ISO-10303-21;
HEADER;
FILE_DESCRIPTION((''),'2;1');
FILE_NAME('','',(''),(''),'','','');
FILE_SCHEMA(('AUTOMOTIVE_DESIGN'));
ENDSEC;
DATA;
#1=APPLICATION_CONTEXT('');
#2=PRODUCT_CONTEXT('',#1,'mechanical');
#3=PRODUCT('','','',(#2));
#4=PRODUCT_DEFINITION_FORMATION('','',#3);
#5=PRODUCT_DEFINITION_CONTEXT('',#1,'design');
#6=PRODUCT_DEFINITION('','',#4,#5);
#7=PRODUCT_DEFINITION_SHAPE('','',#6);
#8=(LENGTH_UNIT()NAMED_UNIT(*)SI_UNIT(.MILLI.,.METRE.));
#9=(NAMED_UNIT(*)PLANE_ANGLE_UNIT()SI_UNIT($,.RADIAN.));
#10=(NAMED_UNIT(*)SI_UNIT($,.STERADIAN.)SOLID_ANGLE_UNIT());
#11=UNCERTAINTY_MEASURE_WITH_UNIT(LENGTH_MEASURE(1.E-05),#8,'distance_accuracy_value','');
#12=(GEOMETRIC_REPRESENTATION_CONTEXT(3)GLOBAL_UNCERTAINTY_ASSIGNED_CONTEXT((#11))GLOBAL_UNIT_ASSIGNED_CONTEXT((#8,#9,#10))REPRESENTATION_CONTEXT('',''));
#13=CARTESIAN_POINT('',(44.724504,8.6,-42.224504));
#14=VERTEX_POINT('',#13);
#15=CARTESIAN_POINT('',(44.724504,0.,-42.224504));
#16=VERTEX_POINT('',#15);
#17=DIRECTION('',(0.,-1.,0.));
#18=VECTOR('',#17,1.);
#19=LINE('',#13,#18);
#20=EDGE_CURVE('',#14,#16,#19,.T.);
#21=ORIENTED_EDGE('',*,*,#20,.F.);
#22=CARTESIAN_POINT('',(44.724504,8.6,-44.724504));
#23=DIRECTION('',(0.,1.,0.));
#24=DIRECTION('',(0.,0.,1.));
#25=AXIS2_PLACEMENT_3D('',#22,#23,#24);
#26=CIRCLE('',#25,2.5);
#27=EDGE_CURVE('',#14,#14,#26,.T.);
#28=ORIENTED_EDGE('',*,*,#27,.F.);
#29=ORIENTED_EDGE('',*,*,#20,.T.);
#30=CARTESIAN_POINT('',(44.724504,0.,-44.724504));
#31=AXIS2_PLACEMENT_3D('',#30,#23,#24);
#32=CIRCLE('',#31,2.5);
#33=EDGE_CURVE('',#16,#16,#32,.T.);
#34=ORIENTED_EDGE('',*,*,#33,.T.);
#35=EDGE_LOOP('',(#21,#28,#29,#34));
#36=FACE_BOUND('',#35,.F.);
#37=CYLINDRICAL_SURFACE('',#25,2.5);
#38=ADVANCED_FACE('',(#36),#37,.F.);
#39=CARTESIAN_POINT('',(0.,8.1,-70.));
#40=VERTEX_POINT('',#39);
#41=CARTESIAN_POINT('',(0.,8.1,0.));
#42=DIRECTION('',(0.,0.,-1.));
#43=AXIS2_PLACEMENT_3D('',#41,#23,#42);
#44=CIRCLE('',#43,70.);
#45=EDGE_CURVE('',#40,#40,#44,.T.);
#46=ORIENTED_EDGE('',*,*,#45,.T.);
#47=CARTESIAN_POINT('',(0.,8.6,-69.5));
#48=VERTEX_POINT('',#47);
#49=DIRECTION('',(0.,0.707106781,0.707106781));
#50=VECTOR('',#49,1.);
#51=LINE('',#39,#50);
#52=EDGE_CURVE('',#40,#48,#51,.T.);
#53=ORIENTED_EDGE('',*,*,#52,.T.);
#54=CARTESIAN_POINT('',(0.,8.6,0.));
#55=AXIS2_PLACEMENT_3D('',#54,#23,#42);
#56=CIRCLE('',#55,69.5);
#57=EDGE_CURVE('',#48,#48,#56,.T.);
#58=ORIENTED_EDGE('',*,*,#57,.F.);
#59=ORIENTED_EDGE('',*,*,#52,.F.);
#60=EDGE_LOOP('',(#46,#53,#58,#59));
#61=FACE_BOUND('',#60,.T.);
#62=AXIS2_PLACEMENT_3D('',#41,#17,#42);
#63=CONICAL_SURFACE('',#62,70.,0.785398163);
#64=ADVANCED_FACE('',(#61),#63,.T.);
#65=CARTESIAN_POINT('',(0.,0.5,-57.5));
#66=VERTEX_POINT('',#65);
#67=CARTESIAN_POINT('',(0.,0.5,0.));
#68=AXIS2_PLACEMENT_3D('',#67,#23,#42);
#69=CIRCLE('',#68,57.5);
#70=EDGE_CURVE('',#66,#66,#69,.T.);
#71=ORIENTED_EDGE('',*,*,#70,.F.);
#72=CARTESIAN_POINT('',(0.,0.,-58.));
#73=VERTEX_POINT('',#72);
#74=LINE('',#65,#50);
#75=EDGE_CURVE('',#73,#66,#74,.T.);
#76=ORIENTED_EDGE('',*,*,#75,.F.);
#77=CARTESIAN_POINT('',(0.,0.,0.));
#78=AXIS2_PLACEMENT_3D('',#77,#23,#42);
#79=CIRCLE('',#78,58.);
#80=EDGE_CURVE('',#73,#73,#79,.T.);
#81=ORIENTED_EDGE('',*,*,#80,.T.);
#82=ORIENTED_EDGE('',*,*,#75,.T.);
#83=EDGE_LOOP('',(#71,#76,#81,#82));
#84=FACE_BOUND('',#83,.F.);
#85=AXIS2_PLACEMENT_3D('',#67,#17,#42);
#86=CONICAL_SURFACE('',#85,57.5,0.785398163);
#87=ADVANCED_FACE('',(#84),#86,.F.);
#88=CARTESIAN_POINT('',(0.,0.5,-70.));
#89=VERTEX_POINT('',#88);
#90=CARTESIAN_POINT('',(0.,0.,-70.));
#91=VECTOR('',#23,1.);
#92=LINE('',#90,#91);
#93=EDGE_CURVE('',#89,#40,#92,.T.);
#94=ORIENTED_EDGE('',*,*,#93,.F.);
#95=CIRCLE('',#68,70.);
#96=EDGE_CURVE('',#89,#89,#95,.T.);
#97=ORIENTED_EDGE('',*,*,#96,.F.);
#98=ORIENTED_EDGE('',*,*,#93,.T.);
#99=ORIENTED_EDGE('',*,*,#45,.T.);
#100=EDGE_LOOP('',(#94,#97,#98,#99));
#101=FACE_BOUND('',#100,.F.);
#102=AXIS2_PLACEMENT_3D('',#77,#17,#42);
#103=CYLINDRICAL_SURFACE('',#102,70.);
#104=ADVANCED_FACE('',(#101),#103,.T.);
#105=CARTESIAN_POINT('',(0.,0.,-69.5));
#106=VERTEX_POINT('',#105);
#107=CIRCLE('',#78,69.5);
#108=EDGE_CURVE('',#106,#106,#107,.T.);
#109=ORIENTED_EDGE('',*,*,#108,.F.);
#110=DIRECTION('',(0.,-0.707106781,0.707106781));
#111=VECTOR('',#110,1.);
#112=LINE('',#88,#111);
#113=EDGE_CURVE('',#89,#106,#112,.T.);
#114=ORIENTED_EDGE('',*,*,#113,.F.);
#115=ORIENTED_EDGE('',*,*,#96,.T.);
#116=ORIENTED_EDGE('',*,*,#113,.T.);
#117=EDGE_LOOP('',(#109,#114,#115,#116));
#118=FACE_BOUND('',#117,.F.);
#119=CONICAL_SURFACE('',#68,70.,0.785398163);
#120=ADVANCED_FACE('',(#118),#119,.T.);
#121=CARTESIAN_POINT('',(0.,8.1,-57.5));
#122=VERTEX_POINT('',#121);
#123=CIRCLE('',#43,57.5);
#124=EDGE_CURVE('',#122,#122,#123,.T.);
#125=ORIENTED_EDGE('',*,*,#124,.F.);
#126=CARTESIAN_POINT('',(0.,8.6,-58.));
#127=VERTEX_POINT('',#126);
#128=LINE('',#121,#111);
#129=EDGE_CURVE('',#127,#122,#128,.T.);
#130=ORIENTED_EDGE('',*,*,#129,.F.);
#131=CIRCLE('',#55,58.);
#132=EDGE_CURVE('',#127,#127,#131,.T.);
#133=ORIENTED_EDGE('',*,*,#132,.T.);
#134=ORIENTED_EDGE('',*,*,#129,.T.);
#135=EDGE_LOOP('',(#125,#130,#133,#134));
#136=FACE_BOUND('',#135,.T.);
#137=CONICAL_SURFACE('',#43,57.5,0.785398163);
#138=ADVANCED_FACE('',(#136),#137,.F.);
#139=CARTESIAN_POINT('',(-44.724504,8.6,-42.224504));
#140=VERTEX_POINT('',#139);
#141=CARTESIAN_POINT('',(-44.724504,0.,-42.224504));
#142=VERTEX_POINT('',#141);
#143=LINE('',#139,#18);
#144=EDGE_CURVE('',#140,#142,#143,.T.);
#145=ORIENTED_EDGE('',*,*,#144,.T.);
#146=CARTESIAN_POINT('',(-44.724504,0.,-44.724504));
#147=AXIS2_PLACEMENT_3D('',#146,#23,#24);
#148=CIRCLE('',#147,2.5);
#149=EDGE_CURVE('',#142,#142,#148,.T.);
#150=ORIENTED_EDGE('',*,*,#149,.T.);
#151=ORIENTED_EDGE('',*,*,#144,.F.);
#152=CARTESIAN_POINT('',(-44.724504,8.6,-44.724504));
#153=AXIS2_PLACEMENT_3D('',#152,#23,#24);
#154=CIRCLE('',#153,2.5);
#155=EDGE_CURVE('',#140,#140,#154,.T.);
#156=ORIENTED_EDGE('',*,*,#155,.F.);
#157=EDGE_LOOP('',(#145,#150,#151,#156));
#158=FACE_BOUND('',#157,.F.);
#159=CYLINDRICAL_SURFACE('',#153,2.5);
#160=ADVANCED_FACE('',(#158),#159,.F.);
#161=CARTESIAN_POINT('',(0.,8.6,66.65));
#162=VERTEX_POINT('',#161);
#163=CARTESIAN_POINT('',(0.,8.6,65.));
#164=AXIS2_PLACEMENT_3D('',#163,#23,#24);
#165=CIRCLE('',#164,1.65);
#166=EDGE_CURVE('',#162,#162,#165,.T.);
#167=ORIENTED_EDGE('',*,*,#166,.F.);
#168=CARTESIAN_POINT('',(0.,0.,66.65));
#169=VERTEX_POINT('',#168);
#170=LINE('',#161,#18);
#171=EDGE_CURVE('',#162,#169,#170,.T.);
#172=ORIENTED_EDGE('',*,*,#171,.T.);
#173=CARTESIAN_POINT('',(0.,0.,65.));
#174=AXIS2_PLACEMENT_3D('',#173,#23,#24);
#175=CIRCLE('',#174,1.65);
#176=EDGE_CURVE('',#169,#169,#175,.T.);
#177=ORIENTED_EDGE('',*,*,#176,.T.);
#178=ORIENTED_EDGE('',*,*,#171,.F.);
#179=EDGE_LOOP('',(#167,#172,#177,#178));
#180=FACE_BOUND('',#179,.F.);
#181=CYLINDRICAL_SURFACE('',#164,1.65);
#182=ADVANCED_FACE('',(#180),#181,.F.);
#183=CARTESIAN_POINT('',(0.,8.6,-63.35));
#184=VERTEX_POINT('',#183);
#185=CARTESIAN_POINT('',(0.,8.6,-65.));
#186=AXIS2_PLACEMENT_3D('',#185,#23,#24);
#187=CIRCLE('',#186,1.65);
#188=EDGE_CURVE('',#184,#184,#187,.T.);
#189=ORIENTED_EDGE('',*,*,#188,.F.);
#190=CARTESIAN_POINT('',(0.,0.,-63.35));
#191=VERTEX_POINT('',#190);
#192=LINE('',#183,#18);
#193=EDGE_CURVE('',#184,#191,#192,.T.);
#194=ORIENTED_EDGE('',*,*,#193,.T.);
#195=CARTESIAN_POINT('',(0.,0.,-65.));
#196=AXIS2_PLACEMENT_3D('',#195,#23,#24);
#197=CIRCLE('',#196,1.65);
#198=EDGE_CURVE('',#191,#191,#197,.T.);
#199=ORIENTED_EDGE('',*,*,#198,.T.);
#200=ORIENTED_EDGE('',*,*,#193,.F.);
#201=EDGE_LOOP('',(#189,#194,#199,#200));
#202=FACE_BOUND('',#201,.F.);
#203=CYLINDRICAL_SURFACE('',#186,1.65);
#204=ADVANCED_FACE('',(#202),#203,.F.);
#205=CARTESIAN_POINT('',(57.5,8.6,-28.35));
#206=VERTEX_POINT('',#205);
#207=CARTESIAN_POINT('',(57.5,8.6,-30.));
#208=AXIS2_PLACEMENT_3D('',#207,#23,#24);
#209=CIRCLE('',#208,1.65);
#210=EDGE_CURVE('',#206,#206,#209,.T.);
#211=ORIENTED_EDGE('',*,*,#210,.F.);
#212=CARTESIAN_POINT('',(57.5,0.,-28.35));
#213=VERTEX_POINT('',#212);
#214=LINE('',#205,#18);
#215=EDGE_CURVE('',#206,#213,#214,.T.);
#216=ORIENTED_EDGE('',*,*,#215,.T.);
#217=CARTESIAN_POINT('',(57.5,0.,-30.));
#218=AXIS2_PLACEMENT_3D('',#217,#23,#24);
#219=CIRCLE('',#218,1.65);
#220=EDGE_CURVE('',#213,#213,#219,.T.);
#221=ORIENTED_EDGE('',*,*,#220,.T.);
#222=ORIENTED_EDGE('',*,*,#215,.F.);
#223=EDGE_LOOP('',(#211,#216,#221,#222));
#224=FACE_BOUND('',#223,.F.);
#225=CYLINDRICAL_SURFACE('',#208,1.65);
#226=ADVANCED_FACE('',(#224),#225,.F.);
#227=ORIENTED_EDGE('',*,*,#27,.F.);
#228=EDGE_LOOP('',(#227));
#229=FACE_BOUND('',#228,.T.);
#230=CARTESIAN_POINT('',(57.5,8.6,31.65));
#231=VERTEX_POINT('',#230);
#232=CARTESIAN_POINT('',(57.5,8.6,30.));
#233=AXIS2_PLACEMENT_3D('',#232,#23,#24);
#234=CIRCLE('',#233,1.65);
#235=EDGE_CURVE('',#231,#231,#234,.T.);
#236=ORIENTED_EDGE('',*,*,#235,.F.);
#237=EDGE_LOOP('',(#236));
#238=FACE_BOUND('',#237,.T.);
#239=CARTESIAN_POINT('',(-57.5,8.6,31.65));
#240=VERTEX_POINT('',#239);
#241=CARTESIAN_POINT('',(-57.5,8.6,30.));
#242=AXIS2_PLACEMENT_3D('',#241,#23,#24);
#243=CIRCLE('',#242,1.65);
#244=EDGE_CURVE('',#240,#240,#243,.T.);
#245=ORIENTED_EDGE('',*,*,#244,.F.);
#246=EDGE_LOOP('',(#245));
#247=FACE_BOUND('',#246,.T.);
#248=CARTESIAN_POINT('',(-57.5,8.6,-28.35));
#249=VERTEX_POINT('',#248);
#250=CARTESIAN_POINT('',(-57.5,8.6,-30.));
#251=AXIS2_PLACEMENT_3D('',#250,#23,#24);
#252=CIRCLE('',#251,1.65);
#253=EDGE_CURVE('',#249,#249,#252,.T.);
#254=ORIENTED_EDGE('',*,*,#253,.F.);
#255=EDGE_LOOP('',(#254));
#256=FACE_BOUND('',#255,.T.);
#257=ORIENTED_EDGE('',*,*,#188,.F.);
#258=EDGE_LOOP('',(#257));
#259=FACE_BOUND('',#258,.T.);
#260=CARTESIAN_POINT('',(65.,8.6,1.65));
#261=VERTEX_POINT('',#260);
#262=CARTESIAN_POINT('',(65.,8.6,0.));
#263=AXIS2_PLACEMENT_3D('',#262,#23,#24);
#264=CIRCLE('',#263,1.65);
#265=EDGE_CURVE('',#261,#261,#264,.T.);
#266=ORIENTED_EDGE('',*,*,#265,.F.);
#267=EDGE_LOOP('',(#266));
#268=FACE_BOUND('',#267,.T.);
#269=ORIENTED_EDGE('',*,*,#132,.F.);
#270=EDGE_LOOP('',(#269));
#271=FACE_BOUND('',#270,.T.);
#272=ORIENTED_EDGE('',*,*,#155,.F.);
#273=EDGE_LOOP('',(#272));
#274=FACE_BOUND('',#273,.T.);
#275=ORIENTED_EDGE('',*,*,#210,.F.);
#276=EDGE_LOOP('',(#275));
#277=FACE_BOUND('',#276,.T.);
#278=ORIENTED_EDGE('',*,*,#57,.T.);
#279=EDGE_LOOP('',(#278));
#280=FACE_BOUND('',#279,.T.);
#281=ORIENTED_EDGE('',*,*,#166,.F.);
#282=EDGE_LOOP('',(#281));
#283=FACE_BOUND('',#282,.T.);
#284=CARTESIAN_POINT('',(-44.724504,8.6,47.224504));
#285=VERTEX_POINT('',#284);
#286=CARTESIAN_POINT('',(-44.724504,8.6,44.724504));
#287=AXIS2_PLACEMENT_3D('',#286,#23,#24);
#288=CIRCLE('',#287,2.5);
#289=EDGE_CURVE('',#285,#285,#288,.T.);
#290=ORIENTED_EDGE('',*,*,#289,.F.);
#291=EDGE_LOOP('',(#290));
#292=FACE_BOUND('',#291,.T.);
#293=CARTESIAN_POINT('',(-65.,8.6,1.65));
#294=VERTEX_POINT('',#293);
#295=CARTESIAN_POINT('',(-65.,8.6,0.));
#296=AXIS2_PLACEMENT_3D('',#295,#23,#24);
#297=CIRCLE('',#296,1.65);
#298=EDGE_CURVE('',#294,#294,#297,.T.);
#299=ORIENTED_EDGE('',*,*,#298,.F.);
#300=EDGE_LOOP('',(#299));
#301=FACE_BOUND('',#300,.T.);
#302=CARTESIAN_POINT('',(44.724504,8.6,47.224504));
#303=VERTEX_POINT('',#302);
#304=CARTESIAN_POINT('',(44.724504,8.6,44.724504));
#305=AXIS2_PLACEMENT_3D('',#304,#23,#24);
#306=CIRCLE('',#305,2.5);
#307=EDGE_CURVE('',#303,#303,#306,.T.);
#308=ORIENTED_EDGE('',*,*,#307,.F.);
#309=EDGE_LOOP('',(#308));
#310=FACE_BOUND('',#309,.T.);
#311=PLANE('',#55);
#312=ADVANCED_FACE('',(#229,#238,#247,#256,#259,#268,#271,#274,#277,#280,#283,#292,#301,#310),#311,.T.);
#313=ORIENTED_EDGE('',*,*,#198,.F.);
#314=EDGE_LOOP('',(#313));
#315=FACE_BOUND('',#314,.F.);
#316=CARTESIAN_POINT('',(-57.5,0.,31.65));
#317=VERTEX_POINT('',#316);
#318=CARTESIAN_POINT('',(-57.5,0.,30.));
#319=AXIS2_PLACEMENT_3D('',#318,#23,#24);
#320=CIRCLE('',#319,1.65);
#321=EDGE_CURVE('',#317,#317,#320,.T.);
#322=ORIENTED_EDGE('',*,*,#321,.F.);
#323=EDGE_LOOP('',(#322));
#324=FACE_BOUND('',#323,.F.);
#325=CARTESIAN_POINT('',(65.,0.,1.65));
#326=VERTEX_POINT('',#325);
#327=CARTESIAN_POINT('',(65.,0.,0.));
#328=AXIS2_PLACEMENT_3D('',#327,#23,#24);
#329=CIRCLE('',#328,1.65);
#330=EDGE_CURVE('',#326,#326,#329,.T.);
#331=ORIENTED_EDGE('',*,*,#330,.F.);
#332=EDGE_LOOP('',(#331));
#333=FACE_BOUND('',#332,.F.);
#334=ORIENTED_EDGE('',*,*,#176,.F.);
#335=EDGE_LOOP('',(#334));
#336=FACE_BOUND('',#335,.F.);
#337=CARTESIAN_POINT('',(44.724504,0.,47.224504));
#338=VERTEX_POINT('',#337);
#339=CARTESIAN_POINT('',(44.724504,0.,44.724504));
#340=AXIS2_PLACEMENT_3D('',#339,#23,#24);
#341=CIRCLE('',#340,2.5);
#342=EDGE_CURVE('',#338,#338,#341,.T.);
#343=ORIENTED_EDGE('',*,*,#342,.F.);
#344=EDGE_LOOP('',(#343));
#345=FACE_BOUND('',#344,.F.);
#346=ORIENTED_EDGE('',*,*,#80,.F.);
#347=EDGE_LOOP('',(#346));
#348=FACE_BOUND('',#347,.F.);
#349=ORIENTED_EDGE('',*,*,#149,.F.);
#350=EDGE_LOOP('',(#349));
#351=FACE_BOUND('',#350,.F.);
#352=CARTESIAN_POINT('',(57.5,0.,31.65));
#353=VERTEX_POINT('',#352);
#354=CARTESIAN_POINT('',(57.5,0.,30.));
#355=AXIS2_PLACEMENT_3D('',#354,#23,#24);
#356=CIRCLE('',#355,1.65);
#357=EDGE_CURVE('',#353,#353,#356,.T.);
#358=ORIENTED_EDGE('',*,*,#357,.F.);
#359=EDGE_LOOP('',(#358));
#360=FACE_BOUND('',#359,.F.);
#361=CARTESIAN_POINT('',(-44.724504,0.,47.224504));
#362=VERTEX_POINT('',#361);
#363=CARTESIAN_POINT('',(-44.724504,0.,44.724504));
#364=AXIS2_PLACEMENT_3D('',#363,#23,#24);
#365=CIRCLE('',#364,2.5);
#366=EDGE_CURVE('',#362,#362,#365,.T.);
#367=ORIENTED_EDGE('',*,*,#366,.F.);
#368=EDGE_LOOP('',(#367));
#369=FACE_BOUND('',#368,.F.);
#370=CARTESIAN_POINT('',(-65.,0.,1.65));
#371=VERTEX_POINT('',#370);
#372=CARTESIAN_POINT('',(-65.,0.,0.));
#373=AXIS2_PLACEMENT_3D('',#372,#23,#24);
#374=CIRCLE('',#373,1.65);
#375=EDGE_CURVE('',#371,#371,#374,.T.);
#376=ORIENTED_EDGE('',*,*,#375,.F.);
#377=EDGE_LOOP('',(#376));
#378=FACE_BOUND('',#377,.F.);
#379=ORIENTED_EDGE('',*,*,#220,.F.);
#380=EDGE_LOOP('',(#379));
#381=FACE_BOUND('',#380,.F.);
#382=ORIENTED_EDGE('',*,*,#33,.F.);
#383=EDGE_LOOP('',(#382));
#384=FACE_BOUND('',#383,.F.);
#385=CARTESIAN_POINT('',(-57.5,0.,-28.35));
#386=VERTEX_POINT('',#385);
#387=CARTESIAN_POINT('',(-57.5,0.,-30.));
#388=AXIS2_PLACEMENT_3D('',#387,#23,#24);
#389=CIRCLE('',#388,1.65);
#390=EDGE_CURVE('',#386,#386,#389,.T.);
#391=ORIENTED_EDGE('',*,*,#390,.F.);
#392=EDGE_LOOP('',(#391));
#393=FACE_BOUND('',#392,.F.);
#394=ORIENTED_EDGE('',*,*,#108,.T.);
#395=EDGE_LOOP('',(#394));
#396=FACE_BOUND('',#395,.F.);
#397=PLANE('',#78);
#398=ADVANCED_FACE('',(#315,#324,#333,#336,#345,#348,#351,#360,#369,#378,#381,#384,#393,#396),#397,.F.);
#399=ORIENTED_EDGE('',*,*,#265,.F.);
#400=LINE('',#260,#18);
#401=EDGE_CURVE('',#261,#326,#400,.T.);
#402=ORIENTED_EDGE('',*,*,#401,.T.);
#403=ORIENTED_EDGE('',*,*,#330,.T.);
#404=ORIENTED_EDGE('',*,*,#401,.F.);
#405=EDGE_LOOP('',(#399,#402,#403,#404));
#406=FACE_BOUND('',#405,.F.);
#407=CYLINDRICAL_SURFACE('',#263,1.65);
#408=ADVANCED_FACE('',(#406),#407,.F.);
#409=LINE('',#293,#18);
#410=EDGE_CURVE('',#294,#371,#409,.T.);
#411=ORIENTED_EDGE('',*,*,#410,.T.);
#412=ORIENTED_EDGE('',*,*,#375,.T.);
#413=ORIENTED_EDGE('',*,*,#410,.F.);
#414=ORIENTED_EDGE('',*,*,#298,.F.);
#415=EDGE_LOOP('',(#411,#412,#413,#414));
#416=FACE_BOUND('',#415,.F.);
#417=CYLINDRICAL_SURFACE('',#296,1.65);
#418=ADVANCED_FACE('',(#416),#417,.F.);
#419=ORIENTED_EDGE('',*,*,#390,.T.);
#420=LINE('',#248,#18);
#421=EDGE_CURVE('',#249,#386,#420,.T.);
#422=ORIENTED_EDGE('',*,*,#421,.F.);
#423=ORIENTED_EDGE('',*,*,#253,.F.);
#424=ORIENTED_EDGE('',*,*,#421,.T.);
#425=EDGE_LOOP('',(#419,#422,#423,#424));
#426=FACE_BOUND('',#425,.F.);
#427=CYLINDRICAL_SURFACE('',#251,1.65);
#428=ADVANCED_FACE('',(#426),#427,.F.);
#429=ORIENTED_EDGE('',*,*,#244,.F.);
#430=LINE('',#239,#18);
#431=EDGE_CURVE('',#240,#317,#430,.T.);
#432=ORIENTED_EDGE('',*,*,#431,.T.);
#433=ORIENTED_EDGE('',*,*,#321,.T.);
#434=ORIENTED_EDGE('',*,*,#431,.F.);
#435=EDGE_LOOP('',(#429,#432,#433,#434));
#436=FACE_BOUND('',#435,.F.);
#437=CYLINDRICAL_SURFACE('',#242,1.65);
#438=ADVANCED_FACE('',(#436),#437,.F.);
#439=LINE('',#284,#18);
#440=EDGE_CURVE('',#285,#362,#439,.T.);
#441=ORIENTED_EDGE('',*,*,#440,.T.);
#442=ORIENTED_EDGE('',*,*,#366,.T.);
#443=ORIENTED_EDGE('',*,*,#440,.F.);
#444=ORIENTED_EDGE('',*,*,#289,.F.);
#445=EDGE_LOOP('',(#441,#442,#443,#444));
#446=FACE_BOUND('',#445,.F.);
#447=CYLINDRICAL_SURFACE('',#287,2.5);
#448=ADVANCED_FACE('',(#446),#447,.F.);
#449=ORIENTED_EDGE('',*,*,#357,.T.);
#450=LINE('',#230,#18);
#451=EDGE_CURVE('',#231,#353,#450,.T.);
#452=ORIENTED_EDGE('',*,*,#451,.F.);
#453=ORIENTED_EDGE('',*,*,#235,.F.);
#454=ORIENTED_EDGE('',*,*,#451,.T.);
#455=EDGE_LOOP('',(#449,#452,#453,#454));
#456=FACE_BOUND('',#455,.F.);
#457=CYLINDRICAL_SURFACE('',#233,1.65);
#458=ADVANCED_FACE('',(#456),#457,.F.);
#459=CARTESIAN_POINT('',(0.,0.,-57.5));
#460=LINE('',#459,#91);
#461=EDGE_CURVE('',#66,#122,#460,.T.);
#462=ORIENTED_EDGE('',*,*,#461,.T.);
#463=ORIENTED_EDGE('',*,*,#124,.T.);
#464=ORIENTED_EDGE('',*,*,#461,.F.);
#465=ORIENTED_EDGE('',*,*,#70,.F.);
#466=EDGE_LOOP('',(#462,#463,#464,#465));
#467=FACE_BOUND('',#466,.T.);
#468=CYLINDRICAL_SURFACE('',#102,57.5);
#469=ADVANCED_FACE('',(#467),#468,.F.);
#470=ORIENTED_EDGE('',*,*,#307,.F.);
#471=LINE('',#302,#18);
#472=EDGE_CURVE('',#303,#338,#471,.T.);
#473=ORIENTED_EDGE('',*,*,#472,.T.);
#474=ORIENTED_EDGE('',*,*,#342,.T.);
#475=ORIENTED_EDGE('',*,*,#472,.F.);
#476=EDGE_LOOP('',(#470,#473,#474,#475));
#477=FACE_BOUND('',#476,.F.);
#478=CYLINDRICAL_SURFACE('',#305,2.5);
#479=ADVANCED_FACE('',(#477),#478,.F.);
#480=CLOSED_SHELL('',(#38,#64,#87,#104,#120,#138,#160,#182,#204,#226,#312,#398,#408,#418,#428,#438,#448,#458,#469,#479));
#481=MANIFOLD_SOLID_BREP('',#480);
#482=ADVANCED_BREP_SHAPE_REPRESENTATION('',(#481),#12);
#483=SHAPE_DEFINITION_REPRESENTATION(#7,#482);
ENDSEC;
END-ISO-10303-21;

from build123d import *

# Parameters (mm, degrees)
SKETCH_1_R          = 70
SKETCH_1_R_2        = 57.5
EXTRUDE_1_DEPTH     = 8.6
SKETCH_2_R          = 2.5
CUT_EXTRUDE_1_DEPTH = 100.367801626
CHAMFER_1_SIZE      = 0.5
SKETCH_3_R          = 1.65
CUT_EXTRUDE_2_DEPTH = 100.367801626


with BuildPart() as part:
    # ｽｹｯﾁ1 → ﾎﾞｽ - 押し出し1 (new body)
    with BuildSketch(Plane(origin=(0, 0, 0), x_dir=(1, 0, 0), z_dir=(0, 1, 0))):
        with Locations(Location((0, 0, 0), (0, 0, 90))):
            Circle(SKETCH_1_R)
        with Locations(Location((0, 0, 0), (0, 0, 90))):
            Circle(SKETCH_1_R_2, mode=Mode.SUBTRACT)
    extrude(amount=EXTRUDE_1_DEPTH)

    # ｽｹｯﾁ2 → ｶｯﾄ - 押し出し1 (cut, through all)
    with BuildSketch(Plane(origin=(0, 8.6, 0), x_dir=(1, 0, 0), z_dir=(0, 1, 0))):
        with Locations(Location((-44.72450391, 44.72450391, 0), (0, 0, 270))):
            Circle(SKETCH_2_R)
        with Locations(Location((44.72450391, 44.72450391, 0), (0, 0, 270))):
            Circle(SKETCH_2_R)
        with Locations(Location((44.72450391, -44.72450391, 0), (0, 0, 270))):
            Circle(SKETCH_2_R)
        with Locations(Location((-44.72450391, -44.72450391, 0), (0, 0, 270))):
            Circle(SKETCH_2_R)
    extrude(amount=-CUT_EXTRUDE_1_DEPTH, mode=Mode.SUBTRACT)

    # 面取り1
    chamfer_1_edges = [part.edges().sort_by_distance(p)[0] for p in [
        (0, 0, 70),
        (0, 8.6, 70),
        (0, 0, 57.5),
        (0, 8.6, 57.5),
    ]]
    chamfer(chamfer_1_edges, length=CHAMFER_1_SIZE)

    # ｽｹｯﾁ3 → ｶｯﾄ - 押し出し2 (cut, through all)
    with BuildSketch(Plane(origin=(0, 8.6, 0), x_dir=(1, 0, 0), z_dir=(0, 1, 0))):
        with Locations(Location((65, 0, 0), (0, 0, 270))):
            Circle(SKETCH_3_R)
        with Locations(Location((0, -65, 0), (0, 0, 270))):
            Circle(SKETCH_3_R)
        with Locations(Location((-65, 0, 0), (0, 0, 270))):
            Circle(SKETCH_3_R)
        with Locations(Location((0, 65, 0), (0, 0, 270))):
            Circle(SKETCH_3_R)
        with Locations(Location((-57.5, 30, 0), (0, 0, 270))):
            Circle(SKETCH_3_R)
        with Locations(Location((57.5, 30, 0), (0, 0, 270))):
            Circle(SKETCH_3_R)
        with Locations(Location((57.5, -30, 0), (0, 0, 270))):
            Circle(SKETCH_3_R)
        with Locations(Location((-57.5, -30, 0), (0, 0, 270))):
            Circle(SKETCH_3_R)
    extrude(amount=-CUT_EXTRUDE_2_DEPTH, mode=Mode.SUBTRACT)


solid = part.part
